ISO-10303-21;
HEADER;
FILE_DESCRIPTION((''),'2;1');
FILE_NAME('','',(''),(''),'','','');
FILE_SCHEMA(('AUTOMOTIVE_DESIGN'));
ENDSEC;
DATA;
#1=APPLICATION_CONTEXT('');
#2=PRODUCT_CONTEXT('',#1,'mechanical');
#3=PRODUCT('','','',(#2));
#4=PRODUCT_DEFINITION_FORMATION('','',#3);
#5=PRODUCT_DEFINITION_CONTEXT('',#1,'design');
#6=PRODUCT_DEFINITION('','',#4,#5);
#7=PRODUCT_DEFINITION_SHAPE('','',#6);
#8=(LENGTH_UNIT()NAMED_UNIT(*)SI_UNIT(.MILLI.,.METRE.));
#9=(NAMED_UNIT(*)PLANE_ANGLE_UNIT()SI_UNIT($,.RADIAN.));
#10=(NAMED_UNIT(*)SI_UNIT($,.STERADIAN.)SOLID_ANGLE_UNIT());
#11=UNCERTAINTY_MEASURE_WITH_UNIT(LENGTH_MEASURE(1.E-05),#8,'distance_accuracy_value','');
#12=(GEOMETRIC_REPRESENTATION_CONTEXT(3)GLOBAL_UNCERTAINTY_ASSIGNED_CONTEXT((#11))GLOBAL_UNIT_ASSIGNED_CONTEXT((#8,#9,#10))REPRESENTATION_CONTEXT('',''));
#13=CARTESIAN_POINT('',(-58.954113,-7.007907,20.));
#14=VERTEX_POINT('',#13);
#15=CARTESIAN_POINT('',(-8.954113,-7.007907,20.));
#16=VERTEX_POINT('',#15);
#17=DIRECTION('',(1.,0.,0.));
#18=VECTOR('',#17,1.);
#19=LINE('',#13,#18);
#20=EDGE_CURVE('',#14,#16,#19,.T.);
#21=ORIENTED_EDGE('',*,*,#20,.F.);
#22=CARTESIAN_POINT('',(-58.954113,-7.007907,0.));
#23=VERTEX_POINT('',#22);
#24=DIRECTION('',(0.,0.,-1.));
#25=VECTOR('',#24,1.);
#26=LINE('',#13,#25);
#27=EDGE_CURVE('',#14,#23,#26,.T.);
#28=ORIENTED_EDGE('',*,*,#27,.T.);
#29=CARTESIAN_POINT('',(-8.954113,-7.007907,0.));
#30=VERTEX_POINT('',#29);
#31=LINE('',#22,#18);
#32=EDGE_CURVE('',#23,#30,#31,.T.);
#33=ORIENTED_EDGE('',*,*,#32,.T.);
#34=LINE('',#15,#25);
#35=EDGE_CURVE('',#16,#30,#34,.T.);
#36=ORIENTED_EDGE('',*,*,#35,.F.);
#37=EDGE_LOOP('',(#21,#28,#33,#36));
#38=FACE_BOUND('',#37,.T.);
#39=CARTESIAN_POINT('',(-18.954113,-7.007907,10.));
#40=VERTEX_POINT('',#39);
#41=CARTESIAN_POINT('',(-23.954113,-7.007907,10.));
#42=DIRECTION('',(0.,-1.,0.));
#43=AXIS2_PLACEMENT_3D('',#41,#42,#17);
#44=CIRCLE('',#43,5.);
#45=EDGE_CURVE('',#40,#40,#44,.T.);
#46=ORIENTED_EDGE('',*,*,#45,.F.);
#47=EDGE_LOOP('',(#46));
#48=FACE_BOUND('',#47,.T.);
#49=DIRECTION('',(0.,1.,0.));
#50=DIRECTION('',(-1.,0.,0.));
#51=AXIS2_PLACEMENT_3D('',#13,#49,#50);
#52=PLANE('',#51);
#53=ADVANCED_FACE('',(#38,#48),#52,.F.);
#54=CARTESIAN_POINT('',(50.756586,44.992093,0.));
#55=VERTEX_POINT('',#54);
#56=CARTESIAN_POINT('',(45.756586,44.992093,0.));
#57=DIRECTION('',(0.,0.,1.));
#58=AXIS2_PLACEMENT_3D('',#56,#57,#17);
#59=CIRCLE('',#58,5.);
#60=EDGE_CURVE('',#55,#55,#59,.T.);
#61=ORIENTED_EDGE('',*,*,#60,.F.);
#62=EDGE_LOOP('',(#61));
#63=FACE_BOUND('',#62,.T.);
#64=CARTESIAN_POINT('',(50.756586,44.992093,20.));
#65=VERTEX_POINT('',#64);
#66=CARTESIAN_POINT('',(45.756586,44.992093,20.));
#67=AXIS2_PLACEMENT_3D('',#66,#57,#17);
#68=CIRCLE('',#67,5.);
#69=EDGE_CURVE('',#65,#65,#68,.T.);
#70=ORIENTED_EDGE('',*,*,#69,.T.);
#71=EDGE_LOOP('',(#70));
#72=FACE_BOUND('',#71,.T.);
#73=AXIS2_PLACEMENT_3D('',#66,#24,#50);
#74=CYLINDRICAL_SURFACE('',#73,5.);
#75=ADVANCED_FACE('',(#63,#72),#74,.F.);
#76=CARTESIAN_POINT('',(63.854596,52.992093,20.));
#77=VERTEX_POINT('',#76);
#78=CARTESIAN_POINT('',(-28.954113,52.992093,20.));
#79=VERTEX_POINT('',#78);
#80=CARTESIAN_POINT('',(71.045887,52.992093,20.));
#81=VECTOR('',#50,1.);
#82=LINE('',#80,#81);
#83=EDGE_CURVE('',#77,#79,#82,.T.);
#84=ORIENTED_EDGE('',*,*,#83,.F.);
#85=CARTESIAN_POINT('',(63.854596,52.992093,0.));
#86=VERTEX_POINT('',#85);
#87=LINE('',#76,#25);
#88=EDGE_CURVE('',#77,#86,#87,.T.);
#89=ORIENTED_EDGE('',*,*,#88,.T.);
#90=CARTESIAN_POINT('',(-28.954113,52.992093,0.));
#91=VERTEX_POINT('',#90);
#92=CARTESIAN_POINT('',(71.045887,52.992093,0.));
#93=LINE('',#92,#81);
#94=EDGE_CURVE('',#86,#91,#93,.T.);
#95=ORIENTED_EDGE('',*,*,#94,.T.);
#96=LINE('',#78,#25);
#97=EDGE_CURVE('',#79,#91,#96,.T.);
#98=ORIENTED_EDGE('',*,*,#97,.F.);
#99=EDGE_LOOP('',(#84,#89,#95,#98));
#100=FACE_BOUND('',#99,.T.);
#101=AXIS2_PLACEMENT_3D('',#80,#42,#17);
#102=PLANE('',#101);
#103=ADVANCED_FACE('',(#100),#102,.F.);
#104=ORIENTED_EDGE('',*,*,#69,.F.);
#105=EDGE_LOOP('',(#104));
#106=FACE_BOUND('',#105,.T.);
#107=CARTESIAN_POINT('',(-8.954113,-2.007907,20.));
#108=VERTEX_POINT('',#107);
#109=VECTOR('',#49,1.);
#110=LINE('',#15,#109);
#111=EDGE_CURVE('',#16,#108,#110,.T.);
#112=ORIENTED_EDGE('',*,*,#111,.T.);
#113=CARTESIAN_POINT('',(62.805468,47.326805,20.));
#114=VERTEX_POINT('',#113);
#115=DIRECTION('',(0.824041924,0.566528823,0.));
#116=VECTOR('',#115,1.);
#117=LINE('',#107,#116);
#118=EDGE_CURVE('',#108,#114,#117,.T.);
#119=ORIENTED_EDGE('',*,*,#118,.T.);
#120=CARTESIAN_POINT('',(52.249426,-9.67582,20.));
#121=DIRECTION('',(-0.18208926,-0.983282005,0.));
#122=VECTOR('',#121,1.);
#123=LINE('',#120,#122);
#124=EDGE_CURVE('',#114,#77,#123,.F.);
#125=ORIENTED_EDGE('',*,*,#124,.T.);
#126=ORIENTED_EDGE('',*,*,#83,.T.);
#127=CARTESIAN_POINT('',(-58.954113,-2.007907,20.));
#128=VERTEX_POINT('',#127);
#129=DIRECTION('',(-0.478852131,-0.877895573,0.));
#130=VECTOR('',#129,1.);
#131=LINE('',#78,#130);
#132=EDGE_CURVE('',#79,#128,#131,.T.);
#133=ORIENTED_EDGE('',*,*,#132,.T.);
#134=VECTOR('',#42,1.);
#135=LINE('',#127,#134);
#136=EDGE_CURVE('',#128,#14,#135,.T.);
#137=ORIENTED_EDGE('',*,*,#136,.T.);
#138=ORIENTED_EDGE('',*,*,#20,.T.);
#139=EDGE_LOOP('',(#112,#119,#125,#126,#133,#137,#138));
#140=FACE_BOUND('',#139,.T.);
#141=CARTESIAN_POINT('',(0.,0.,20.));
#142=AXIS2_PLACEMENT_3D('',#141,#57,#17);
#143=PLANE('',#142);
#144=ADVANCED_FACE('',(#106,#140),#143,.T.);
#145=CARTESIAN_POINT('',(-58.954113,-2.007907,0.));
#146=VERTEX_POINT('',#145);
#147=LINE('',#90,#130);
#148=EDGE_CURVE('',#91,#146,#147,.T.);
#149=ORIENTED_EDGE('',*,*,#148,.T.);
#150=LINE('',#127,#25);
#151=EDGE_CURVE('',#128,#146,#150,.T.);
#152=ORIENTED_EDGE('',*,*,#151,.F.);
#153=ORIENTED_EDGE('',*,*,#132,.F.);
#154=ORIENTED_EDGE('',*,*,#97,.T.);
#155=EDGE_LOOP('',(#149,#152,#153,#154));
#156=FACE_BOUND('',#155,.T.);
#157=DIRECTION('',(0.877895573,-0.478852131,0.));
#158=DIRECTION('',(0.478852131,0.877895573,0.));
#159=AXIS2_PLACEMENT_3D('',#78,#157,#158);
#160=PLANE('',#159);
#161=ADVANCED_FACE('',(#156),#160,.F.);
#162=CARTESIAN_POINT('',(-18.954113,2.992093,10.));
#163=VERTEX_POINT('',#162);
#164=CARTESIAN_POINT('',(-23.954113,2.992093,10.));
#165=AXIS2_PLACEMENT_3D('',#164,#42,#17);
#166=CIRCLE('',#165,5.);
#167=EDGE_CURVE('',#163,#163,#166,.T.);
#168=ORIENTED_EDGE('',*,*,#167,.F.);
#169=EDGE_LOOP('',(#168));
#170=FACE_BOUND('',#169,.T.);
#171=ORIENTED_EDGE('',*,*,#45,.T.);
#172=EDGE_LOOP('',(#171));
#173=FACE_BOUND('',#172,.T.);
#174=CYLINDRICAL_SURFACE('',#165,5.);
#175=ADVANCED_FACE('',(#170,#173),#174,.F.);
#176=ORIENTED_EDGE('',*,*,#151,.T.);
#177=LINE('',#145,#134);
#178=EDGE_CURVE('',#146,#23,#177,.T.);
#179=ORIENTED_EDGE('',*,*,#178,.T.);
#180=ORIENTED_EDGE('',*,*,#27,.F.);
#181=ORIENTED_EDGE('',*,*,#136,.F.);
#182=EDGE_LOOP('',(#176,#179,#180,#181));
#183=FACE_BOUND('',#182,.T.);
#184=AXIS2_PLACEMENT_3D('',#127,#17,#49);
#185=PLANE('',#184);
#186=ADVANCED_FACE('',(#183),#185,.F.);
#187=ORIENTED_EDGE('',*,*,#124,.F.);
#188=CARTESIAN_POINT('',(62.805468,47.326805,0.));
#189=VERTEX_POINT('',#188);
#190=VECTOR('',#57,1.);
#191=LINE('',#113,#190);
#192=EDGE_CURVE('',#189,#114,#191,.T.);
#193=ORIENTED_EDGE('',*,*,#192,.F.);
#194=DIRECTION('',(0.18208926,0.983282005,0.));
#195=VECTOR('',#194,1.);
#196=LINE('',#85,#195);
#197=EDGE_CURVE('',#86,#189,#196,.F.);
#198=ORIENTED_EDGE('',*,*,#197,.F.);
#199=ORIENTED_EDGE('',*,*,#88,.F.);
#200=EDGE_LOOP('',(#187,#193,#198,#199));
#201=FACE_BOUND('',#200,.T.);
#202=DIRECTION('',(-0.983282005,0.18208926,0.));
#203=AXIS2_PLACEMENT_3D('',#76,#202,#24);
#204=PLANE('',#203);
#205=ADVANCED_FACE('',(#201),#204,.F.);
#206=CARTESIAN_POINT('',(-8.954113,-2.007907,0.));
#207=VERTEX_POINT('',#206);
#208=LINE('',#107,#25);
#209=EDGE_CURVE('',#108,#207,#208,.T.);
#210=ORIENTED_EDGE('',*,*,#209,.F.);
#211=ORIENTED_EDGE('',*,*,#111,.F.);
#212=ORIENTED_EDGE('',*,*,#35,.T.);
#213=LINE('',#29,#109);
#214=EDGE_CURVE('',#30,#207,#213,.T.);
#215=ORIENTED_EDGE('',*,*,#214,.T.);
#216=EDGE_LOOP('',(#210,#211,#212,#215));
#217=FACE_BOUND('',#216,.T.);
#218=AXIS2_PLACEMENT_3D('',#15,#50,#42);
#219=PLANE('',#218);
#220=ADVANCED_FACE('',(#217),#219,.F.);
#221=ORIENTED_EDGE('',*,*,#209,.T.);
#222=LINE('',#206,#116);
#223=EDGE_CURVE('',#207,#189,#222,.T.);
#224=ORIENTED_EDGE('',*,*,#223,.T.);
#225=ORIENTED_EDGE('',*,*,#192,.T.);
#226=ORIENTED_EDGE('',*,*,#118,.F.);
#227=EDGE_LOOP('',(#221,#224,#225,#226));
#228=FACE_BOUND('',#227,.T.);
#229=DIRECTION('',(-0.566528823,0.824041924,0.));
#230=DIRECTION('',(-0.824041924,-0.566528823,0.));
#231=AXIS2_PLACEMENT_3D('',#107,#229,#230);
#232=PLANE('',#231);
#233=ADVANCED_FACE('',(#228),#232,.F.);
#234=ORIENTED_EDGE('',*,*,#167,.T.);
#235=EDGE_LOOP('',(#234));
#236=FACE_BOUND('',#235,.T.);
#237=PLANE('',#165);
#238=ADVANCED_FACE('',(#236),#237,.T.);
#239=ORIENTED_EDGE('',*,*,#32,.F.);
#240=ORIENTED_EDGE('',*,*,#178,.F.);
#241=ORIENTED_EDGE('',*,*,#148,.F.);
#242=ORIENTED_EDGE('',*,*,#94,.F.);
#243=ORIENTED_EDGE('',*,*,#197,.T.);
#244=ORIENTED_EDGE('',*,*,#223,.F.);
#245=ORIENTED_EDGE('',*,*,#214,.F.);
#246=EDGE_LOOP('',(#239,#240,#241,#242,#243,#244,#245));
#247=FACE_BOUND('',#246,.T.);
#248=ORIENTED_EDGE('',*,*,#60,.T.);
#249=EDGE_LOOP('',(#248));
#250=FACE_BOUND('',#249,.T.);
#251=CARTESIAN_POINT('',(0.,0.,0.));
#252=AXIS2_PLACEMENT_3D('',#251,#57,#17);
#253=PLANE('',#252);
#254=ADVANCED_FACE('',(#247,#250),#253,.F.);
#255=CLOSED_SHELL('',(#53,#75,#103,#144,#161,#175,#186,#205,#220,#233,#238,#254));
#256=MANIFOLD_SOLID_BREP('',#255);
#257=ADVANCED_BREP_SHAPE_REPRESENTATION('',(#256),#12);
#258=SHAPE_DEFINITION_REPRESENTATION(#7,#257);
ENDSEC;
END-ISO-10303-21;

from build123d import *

# Parameters (mm, degrees)
SKETCH_1_R          = 5
EXTRUDE_1_DEPTH     = 20
CHAMFER_1_SIZE      = 10
CHAMFER_1_SIZE2     = 7.191291792
SKETCH_2_R          = 5
CUT_EXTRUDE_1_DEPTH = 10


with BuildPart() as part:
    # 草图1 → 凸台-拉伸1 (new body)
    with BuildSketch(Plane.XY):
        Polygon((-58.954112629, -2.007906554), (-58.954112629, -7.007906554), (-8.954112629, -7.007906554), (-8.954112629, -2.007906554), (71.045887371, 52.992093446), (-28.954112629, 52.992093446), align=None)
        with Locations((45.756585656, 44.992093446)):
            Circle(SKETCH_1_R, mode=Mode.SUBTRACT)
    extrude(amount=EXTRUDE_1_DEPTH)

    # 倒角1
    chamfer_1_edges = [part.edges().sort_by_distance(p)[0] for p in [
        (71.045887371, 52.992093446, 10),
    ]]
    chamfer_1_side = [part.faces().sort_by_distance(p)[0] for p in [
        (31.045887371, 25.492093446, 10),
    ]]
    chamfer(chamfer_1_edges, length=CHAMFER_1_SIZE, length2=CHAMFER_1_SIZE2, reference=chamfer_1_side[0])

    # 草图2 → 切除-拉伸1 (cut)
    with BuildSketch(Plane.XZ.offset(7.007906554)):
        with Locations((-23.954112629, 10)):
            Circle(SKETCH_2_R)
    extrude(amount=-CUT_EXTRUDE_1_DEPTH, mode=Mode.SUBTRACT)


solid = part.part
